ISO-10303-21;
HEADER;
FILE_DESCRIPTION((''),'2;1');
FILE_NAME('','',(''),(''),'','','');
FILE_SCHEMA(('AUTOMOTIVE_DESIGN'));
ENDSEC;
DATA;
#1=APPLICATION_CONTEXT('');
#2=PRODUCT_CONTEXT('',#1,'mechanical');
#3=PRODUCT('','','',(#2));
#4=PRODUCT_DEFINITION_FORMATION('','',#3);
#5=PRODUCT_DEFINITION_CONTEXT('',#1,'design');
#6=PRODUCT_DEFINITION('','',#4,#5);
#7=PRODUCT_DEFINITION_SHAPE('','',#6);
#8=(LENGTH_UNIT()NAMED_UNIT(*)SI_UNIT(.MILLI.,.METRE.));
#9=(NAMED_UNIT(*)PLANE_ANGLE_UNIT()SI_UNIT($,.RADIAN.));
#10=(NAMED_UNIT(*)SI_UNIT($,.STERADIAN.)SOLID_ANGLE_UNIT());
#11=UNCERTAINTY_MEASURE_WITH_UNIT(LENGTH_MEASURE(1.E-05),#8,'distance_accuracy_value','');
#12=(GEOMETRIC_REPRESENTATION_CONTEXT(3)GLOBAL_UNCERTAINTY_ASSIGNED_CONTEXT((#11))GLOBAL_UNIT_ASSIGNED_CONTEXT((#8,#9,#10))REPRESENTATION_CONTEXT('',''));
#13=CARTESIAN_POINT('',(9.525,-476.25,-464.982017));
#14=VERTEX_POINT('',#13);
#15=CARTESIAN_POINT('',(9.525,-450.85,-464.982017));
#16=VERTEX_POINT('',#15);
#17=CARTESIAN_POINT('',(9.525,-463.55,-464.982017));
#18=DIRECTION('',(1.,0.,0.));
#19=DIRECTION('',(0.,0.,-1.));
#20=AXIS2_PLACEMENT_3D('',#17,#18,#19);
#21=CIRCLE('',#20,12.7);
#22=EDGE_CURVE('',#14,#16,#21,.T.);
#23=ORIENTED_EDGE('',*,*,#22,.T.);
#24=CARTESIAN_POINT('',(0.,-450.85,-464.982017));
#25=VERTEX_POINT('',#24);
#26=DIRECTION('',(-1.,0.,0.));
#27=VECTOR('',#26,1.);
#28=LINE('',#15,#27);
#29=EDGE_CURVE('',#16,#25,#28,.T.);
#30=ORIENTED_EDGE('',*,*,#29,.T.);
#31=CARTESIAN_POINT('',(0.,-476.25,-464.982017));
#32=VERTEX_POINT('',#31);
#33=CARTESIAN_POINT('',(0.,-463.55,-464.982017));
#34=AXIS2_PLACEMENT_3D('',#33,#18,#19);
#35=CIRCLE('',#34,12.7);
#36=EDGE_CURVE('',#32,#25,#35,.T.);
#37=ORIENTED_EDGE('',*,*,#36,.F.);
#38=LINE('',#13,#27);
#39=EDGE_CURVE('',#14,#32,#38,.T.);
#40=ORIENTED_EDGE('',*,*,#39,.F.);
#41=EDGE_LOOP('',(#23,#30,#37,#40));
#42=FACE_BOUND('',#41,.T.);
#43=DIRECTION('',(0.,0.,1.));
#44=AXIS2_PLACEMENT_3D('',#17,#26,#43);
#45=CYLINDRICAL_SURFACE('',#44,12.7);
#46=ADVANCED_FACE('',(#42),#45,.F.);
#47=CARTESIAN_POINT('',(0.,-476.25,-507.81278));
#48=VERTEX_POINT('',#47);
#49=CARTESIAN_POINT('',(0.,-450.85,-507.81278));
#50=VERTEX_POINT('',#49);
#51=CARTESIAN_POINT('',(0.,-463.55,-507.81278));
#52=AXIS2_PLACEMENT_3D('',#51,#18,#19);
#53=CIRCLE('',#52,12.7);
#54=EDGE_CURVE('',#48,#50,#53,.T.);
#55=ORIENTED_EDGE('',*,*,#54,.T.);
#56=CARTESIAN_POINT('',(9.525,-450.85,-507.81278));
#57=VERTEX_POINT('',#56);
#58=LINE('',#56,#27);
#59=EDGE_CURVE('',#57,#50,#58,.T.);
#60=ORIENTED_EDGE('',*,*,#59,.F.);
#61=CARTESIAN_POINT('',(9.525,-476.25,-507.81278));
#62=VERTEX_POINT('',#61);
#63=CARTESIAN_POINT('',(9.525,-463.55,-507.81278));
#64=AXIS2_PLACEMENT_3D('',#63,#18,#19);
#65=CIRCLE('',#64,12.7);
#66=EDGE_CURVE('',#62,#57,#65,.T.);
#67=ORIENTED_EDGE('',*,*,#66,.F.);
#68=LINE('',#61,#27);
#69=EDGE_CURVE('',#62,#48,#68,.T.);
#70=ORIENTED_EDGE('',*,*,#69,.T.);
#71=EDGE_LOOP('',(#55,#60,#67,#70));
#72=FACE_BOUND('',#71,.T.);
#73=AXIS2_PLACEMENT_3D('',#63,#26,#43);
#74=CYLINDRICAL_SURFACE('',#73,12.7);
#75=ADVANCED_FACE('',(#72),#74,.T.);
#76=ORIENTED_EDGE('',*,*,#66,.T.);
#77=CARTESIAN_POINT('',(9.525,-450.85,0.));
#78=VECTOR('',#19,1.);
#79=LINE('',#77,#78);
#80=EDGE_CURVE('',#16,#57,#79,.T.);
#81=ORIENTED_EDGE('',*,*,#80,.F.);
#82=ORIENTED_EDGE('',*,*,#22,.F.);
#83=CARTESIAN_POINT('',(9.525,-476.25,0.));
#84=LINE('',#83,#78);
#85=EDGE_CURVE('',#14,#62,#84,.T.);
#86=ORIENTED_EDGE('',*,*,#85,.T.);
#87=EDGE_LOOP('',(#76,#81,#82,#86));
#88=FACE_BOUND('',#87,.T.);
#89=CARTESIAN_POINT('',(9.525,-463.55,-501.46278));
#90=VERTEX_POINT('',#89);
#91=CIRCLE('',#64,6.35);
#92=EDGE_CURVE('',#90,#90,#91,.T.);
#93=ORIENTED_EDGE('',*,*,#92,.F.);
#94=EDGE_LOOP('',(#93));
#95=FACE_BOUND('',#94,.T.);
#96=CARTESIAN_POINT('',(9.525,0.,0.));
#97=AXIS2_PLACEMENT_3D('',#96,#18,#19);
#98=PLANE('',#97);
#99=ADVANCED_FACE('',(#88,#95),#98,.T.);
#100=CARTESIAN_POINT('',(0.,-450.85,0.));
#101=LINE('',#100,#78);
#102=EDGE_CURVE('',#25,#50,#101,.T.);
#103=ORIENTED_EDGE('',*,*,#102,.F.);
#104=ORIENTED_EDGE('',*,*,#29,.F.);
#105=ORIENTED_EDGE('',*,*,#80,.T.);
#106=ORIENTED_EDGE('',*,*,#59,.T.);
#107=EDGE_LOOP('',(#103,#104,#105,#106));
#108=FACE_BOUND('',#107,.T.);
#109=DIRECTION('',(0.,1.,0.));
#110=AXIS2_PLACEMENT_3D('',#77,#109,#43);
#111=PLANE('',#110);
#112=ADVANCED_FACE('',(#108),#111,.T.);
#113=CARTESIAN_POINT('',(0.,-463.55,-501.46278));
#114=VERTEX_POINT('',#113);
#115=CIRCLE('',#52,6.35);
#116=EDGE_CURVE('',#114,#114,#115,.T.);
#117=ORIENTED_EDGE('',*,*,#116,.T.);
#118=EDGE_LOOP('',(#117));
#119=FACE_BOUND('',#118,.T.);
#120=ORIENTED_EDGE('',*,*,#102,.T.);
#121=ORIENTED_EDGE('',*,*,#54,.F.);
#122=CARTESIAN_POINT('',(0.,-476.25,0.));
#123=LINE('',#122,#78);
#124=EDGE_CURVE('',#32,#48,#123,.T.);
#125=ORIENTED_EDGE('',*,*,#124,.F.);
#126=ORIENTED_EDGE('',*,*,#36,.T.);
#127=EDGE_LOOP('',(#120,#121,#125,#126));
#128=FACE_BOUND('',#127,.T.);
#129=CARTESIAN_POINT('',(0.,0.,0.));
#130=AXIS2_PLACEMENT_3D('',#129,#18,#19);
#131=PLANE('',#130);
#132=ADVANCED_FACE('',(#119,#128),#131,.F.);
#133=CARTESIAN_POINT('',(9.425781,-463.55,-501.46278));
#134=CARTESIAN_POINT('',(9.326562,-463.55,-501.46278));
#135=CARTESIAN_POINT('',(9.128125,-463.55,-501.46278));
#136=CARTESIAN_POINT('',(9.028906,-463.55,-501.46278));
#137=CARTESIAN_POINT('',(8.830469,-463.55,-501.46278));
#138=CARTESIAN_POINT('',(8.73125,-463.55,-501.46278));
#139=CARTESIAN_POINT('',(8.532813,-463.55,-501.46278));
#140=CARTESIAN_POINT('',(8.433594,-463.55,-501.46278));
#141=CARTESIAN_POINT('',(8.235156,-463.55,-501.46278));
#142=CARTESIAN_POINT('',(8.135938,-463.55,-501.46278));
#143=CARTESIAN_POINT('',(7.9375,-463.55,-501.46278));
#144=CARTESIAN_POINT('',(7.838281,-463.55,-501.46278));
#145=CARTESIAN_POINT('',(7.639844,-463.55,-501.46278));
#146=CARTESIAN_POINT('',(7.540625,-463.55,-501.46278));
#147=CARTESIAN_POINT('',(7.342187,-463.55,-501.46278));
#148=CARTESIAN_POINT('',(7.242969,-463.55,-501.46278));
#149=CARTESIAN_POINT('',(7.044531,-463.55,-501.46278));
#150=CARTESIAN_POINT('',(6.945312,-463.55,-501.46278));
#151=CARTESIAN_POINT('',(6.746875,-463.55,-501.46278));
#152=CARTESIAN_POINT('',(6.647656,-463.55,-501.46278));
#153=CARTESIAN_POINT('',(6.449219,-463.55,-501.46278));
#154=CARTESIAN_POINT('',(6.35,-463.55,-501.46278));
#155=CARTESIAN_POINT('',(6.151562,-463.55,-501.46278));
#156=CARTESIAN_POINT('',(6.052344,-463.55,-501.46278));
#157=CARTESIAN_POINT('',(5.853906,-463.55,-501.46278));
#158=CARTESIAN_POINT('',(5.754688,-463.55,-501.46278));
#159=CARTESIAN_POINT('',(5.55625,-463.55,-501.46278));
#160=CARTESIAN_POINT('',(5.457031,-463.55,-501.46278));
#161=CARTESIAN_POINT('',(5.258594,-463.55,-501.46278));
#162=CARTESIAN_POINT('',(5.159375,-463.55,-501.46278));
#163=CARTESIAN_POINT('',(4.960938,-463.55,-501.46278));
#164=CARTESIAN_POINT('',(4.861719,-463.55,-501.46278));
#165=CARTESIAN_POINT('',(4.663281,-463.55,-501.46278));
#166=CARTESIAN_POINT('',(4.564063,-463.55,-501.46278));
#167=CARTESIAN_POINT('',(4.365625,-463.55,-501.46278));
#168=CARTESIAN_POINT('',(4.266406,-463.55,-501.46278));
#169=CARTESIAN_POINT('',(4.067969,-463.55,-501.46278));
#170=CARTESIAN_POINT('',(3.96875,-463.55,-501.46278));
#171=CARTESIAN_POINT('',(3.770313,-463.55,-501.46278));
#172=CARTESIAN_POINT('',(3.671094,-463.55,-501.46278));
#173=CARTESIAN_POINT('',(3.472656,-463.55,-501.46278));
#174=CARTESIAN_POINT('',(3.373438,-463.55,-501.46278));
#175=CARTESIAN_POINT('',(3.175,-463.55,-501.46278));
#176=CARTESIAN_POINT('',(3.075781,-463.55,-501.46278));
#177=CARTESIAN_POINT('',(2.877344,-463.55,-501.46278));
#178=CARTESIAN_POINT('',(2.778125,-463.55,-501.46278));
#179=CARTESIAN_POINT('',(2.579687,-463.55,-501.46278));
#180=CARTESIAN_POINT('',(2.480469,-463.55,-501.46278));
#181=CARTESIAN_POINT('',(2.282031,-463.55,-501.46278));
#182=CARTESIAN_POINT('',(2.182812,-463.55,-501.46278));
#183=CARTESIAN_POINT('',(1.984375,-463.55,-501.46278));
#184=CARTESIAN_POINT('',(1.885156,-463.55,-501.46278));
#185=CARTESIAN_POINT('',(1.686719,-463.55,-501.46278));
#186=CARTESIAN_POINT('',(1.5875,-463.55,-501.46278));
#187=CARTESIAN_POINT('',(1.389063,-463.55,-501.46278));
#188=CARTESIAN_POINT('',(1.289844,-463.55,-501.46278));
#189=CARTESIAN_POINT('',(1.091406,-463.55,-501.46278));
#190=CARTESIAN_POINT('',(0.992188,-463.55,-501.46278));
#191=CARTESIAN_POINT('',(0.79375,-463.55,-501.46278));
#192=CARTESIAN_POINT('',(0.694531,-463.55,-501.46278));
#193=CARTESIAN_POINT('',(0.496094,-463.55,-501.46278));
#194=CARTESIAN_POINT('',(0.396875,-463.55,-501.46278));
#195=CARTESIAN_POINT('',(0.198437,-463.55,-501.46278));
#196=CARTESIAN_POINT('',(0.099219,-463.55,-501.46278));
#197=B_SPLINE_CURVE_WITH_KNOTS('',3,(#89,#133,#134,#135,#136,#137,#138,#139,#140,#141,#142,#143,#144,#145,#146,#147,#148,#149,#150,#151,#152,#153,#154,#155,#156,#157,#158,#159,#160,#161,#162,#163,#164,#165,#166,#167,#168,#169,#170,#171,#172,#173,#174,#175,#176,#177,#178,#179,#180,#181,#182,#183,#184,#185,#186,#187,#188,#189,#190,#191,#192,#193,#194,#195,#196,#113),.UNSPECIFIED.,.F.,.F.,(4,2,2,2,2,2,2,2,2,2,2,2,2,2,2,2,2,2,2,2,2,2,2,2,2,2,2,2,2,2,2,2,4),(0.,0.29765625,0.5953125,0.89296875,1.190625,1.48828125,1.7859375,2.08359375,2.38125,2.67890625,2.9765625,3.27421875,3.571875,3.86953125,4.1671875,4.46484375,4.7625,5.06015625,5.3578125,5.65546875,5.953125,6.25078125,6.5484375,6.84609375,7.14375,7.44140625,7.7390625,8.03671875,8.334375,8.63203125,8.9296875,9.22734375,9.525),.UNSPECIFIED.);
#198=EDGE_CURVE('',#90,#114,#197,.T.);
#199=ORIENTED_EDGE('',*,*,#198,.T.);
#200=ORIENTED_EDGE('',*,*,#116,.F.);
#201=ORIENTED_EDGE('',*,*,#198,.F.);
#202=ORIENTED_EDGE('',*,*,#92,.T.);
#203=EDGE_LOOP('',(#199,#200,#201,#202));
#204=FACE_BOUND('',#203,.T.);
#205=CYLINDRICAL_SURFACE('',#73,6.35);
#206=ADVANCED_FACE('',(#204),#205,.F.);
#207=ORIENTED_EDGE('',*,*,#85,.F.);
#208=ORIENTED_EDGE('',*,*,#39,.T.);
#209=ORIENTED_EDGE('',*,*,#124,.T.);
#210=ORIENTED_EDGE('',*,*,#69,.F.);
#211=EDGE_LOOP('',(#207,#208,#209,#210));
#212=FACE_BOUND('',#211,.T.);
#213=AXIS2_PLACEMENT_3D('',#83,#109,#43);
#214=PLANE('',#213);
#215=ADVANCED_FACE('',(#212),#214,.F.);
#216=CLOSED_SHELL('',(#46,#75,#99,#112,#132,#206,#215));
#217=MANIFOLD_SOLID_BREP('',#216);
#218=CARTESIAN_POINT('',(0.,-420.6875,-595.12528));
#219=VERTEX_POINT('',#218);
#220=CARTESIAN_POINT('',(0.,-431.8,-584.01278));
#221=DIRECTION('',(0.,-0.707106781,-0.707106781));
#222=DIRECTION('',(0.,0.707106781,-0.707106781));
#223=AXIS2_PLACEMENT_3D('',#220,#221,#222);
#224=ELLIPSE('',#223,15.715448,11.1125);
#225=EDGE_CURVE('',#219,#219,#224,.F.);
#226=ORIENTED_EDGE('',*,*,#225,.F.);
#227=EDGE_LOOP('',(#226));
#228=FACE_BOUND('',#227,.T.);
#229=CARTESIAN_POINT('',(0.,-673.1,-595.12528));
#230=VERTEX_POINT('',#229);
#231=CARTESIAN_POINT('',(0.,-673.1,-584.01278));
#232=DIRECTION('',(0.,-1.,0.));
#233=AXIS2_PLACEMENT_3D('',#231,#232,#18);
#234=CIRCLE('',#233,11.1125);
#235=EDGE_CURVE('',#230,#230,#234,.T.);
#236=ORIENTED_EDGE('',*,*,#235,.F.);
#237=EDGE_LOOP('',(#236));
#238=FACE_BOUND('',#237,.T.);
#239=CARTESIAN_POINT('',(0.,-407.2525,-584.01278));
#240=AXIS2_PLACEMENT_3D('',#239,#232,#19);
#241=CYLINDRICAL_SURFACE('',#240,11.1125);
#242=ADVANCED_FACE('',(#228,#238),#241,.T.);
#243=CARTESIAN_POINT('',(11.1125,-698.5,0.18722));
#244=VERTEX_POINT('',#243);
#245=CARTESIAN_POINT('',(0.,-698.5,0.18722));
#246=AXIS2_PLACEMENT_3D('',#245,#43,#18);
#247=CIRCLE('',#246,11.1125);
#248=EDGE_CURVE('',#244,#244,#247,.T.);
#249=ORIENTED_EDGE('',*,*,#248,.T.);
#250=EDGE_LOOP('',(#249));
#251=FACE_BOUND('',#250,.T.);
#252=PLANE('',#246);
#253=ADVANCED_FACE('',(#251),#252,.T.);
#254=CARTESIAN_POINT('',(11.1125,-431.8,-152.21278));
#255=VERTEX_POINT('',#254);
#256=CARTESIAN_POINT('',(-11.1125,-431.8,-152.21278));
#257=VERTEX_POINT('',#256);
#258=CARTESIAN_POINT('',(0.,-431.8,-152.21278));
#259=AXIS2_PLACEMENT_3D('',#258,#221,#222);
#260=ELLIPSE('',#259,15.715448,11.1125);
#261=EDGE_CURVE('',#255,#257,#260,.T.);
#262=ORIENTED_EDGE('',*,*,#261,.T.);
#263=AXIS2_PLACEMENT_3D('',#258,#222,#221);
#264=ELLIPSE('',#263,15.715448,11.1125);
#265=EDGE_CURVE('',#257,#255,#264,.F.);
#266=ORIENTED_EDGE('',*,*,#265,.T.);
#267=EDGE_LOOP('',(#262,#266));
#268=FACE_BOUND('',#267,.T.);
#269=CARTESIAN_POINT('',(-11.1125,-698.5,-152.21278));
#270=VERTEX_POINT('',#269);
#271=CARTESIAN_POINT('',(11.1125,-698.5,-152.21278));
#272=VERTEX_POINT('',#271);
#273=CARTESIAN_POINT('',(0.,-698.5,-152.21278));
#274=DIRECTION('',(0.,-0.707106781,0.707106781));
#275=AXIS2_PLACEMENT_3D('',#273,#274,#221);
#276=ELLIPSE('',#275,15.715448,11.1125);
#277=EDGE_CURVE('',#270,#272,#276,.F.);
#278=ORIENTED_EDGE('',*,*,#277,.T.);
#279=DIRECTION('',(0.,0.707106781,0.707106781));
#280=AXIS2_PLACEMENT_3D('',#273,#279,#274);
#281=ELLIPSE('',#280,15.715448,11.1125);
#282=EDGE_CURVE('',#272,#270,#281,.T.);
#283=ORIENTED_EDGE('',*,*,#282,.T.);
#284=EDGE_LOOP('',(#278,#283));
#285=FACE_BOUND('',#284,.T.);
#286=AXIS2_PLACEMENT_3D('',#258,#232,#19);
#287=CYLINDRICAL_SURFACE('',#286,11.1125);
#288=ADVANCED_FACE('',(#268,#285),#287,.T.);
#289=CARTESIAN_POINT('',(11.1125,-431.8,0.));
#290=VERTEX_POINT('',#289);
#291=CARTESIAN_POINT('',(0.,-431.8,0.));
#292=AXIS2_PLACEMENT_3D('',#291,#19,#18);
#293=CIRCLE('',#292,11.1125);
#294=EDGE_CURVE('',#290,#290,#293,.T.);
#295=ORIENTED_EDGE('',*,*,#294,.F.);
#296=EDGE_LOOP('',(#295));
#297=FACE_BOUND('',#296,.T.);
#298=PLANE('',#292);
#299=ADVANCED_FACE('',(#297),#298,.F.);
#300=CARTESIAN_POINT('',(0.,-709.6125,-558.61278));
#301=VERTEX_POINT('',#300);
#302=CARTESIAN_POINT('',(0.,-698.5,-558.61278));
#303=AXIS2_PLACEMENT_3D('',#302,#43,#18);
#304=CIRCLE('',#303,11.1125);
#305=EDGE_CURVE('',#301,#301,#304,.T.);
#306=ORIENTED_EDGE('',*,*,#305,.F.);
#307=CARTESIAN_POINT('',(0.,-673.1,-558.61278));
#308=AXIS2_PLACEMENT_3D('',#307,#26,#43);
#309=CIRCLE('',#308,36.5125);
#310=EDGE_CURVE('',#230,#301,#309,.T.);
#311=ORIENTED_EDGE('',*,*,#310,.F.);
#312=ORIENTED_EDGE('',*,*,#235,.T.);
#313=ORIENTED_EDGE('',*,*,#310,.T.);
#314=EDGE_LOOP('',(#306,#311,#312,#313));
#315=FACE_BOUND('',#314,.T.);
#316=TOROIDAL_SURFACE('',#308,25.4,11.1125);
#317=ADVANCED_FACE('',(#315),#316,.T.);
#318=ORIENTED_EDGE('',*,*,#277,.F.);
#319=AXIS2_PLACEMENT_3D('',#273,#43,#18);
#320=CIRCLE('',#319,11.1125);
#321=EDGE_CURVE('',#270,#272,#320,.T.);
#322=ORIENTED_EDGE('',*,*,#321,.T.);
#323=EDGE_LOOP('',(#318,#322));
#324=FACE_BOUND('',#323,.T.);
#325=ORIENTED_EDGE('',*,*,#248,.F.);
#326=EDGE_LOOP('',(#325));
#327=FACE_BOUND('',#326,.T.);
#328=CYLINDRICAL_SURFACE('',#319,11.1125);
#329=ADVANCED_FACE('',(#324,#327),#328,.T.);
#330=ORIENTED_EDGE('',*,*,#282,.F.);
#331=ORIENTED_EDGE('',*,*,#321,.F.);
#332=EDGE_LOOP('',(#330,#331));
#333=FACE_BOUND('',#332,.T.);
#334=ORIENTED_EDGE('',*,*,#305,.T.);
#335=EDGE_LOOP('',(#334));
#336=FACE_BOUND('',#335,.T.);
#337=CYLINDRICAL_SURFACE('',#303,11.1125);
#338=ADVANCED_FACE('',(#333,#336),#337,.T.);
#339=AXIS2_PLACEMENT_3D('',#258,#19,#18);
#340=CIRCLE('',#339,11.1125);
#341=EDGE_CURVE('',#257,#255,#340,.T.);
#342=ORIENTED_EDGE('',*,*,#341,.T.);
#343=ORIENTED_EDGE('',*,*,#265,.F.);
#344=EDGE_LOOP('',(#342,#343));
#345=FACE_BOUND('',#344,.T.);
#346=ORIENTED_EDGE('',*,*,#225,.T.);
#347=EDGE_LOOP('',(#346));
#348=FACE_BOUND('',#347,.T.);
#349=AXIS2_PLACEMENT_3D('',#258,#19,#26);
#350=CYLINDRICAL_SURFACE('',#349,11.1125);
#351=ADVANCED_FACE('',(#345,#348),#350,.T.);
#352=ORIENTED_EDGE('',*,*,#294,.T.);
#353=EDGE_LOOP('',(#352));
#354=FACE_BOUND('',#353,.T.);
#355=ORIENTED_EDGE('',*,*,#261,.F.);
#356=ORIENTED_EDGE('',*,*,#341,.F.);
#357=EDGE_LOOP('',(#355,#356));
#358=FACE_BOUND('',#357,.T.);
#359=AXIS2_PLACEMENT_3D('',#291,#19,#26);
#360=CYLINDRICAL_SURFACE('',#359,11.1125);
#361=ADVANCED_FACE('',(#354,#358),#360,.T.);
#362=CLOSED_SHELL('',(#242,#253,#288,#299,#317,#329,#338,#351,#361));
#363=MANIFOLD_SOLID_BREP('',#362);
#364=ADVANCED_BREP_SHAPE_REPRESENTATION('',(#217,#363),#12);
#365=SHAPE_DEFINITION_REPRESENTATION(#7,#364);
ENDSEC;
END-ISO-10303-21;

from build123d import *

# Parameters (mm, degrees)
SKETCH3_R           = 11.1125
SKETCH3_8_R         = 11.1125
SKETCH11_R          = 6.35
BOSS_EXTRUDE1_DEPTH = 9.525


with BuildPart() as part:
    # Sweep1: sweep along a path in Sketch1
    with BuildLine(Plane(origin=(0, 0, 0), x_dir=(0, 0, -1), z_dir=(1, 0, 0))) as sweep1_path:
        Line((0, -431.8), (152.212779539, -431.8))
        Line((152.212779539, -431.8), (584.012779539, -431.8))
        Line((584.012779539, -431.8), (584.012779539, -673.1))
        ThreePointArc((584.012779539, -673.1), (576.573291781, -691.060512242), (558.612779539, -698.5))
        Line((558.612779539, -698.5), (152.212779539, -698.5))
        Line((152.212779539, -698.5), (-0.187220461, -698.5))
    # Sketch3 → Sweep1 (sweep)
    with BuildSketch(Plane.XY):
        with Locations((0, -698.5)):
            Circle(SKETCH3_R)
    sweep(path=sweep1_path.line, transition=Transition.RIGHT)

    # Sweep2: sweep along a path in Sketch1<23>
    with BuildLine(Plane(origin=(0, 0, 0), x_dir=(0, 0, -1), z_dir=(1, 0, 0))) as sweep2_path:
        Line((-0.187220461, -698.5), (152.212779539, -698.5))
        Line((152.212779539, -698.5), (152.212779539, -431.8))
    # Sketch3<8> → Sweep2 (sweep)
    with BuildSketch(Plane.XY):
        with Locations((0, -698.5)):
            Circle(SKETCH3_8_R)
    sweep(path=sweep2_path.line, transition=Transition.RIGHT)


with BuildPart() as body_2:
    # Sketch11 → Boss-Extrude1 (new body)
    with BuildSketch(Plane(origin=(0, 0, 0), x_dir=(0, 0, -1), z_dir=(1, 0, 0))):
        with BuildLine():
            ThreePointArc((464.982017061, -450.85), (477.682017061, -463.55), (464.982017061, -476.25))
            Line((464.982017061, -476.25), (507.812779539, -476.25))
            ThreePointArc((507.812779539, -476.25), (520.512779539, -463.55), (507.812779539, -450.85))
            Line((507.812779539, -450.85), (464.982017061, -450.85))
        make_face()
        with Locations((507.812779539, -463.55)):
            Circle(SKETCH11_R, mode=Mode.SUBTRACT)
    extrude(amount=BOSS_EXTRUDE1_DEPTH)


solid = Compound([part.part, body_2.part])
